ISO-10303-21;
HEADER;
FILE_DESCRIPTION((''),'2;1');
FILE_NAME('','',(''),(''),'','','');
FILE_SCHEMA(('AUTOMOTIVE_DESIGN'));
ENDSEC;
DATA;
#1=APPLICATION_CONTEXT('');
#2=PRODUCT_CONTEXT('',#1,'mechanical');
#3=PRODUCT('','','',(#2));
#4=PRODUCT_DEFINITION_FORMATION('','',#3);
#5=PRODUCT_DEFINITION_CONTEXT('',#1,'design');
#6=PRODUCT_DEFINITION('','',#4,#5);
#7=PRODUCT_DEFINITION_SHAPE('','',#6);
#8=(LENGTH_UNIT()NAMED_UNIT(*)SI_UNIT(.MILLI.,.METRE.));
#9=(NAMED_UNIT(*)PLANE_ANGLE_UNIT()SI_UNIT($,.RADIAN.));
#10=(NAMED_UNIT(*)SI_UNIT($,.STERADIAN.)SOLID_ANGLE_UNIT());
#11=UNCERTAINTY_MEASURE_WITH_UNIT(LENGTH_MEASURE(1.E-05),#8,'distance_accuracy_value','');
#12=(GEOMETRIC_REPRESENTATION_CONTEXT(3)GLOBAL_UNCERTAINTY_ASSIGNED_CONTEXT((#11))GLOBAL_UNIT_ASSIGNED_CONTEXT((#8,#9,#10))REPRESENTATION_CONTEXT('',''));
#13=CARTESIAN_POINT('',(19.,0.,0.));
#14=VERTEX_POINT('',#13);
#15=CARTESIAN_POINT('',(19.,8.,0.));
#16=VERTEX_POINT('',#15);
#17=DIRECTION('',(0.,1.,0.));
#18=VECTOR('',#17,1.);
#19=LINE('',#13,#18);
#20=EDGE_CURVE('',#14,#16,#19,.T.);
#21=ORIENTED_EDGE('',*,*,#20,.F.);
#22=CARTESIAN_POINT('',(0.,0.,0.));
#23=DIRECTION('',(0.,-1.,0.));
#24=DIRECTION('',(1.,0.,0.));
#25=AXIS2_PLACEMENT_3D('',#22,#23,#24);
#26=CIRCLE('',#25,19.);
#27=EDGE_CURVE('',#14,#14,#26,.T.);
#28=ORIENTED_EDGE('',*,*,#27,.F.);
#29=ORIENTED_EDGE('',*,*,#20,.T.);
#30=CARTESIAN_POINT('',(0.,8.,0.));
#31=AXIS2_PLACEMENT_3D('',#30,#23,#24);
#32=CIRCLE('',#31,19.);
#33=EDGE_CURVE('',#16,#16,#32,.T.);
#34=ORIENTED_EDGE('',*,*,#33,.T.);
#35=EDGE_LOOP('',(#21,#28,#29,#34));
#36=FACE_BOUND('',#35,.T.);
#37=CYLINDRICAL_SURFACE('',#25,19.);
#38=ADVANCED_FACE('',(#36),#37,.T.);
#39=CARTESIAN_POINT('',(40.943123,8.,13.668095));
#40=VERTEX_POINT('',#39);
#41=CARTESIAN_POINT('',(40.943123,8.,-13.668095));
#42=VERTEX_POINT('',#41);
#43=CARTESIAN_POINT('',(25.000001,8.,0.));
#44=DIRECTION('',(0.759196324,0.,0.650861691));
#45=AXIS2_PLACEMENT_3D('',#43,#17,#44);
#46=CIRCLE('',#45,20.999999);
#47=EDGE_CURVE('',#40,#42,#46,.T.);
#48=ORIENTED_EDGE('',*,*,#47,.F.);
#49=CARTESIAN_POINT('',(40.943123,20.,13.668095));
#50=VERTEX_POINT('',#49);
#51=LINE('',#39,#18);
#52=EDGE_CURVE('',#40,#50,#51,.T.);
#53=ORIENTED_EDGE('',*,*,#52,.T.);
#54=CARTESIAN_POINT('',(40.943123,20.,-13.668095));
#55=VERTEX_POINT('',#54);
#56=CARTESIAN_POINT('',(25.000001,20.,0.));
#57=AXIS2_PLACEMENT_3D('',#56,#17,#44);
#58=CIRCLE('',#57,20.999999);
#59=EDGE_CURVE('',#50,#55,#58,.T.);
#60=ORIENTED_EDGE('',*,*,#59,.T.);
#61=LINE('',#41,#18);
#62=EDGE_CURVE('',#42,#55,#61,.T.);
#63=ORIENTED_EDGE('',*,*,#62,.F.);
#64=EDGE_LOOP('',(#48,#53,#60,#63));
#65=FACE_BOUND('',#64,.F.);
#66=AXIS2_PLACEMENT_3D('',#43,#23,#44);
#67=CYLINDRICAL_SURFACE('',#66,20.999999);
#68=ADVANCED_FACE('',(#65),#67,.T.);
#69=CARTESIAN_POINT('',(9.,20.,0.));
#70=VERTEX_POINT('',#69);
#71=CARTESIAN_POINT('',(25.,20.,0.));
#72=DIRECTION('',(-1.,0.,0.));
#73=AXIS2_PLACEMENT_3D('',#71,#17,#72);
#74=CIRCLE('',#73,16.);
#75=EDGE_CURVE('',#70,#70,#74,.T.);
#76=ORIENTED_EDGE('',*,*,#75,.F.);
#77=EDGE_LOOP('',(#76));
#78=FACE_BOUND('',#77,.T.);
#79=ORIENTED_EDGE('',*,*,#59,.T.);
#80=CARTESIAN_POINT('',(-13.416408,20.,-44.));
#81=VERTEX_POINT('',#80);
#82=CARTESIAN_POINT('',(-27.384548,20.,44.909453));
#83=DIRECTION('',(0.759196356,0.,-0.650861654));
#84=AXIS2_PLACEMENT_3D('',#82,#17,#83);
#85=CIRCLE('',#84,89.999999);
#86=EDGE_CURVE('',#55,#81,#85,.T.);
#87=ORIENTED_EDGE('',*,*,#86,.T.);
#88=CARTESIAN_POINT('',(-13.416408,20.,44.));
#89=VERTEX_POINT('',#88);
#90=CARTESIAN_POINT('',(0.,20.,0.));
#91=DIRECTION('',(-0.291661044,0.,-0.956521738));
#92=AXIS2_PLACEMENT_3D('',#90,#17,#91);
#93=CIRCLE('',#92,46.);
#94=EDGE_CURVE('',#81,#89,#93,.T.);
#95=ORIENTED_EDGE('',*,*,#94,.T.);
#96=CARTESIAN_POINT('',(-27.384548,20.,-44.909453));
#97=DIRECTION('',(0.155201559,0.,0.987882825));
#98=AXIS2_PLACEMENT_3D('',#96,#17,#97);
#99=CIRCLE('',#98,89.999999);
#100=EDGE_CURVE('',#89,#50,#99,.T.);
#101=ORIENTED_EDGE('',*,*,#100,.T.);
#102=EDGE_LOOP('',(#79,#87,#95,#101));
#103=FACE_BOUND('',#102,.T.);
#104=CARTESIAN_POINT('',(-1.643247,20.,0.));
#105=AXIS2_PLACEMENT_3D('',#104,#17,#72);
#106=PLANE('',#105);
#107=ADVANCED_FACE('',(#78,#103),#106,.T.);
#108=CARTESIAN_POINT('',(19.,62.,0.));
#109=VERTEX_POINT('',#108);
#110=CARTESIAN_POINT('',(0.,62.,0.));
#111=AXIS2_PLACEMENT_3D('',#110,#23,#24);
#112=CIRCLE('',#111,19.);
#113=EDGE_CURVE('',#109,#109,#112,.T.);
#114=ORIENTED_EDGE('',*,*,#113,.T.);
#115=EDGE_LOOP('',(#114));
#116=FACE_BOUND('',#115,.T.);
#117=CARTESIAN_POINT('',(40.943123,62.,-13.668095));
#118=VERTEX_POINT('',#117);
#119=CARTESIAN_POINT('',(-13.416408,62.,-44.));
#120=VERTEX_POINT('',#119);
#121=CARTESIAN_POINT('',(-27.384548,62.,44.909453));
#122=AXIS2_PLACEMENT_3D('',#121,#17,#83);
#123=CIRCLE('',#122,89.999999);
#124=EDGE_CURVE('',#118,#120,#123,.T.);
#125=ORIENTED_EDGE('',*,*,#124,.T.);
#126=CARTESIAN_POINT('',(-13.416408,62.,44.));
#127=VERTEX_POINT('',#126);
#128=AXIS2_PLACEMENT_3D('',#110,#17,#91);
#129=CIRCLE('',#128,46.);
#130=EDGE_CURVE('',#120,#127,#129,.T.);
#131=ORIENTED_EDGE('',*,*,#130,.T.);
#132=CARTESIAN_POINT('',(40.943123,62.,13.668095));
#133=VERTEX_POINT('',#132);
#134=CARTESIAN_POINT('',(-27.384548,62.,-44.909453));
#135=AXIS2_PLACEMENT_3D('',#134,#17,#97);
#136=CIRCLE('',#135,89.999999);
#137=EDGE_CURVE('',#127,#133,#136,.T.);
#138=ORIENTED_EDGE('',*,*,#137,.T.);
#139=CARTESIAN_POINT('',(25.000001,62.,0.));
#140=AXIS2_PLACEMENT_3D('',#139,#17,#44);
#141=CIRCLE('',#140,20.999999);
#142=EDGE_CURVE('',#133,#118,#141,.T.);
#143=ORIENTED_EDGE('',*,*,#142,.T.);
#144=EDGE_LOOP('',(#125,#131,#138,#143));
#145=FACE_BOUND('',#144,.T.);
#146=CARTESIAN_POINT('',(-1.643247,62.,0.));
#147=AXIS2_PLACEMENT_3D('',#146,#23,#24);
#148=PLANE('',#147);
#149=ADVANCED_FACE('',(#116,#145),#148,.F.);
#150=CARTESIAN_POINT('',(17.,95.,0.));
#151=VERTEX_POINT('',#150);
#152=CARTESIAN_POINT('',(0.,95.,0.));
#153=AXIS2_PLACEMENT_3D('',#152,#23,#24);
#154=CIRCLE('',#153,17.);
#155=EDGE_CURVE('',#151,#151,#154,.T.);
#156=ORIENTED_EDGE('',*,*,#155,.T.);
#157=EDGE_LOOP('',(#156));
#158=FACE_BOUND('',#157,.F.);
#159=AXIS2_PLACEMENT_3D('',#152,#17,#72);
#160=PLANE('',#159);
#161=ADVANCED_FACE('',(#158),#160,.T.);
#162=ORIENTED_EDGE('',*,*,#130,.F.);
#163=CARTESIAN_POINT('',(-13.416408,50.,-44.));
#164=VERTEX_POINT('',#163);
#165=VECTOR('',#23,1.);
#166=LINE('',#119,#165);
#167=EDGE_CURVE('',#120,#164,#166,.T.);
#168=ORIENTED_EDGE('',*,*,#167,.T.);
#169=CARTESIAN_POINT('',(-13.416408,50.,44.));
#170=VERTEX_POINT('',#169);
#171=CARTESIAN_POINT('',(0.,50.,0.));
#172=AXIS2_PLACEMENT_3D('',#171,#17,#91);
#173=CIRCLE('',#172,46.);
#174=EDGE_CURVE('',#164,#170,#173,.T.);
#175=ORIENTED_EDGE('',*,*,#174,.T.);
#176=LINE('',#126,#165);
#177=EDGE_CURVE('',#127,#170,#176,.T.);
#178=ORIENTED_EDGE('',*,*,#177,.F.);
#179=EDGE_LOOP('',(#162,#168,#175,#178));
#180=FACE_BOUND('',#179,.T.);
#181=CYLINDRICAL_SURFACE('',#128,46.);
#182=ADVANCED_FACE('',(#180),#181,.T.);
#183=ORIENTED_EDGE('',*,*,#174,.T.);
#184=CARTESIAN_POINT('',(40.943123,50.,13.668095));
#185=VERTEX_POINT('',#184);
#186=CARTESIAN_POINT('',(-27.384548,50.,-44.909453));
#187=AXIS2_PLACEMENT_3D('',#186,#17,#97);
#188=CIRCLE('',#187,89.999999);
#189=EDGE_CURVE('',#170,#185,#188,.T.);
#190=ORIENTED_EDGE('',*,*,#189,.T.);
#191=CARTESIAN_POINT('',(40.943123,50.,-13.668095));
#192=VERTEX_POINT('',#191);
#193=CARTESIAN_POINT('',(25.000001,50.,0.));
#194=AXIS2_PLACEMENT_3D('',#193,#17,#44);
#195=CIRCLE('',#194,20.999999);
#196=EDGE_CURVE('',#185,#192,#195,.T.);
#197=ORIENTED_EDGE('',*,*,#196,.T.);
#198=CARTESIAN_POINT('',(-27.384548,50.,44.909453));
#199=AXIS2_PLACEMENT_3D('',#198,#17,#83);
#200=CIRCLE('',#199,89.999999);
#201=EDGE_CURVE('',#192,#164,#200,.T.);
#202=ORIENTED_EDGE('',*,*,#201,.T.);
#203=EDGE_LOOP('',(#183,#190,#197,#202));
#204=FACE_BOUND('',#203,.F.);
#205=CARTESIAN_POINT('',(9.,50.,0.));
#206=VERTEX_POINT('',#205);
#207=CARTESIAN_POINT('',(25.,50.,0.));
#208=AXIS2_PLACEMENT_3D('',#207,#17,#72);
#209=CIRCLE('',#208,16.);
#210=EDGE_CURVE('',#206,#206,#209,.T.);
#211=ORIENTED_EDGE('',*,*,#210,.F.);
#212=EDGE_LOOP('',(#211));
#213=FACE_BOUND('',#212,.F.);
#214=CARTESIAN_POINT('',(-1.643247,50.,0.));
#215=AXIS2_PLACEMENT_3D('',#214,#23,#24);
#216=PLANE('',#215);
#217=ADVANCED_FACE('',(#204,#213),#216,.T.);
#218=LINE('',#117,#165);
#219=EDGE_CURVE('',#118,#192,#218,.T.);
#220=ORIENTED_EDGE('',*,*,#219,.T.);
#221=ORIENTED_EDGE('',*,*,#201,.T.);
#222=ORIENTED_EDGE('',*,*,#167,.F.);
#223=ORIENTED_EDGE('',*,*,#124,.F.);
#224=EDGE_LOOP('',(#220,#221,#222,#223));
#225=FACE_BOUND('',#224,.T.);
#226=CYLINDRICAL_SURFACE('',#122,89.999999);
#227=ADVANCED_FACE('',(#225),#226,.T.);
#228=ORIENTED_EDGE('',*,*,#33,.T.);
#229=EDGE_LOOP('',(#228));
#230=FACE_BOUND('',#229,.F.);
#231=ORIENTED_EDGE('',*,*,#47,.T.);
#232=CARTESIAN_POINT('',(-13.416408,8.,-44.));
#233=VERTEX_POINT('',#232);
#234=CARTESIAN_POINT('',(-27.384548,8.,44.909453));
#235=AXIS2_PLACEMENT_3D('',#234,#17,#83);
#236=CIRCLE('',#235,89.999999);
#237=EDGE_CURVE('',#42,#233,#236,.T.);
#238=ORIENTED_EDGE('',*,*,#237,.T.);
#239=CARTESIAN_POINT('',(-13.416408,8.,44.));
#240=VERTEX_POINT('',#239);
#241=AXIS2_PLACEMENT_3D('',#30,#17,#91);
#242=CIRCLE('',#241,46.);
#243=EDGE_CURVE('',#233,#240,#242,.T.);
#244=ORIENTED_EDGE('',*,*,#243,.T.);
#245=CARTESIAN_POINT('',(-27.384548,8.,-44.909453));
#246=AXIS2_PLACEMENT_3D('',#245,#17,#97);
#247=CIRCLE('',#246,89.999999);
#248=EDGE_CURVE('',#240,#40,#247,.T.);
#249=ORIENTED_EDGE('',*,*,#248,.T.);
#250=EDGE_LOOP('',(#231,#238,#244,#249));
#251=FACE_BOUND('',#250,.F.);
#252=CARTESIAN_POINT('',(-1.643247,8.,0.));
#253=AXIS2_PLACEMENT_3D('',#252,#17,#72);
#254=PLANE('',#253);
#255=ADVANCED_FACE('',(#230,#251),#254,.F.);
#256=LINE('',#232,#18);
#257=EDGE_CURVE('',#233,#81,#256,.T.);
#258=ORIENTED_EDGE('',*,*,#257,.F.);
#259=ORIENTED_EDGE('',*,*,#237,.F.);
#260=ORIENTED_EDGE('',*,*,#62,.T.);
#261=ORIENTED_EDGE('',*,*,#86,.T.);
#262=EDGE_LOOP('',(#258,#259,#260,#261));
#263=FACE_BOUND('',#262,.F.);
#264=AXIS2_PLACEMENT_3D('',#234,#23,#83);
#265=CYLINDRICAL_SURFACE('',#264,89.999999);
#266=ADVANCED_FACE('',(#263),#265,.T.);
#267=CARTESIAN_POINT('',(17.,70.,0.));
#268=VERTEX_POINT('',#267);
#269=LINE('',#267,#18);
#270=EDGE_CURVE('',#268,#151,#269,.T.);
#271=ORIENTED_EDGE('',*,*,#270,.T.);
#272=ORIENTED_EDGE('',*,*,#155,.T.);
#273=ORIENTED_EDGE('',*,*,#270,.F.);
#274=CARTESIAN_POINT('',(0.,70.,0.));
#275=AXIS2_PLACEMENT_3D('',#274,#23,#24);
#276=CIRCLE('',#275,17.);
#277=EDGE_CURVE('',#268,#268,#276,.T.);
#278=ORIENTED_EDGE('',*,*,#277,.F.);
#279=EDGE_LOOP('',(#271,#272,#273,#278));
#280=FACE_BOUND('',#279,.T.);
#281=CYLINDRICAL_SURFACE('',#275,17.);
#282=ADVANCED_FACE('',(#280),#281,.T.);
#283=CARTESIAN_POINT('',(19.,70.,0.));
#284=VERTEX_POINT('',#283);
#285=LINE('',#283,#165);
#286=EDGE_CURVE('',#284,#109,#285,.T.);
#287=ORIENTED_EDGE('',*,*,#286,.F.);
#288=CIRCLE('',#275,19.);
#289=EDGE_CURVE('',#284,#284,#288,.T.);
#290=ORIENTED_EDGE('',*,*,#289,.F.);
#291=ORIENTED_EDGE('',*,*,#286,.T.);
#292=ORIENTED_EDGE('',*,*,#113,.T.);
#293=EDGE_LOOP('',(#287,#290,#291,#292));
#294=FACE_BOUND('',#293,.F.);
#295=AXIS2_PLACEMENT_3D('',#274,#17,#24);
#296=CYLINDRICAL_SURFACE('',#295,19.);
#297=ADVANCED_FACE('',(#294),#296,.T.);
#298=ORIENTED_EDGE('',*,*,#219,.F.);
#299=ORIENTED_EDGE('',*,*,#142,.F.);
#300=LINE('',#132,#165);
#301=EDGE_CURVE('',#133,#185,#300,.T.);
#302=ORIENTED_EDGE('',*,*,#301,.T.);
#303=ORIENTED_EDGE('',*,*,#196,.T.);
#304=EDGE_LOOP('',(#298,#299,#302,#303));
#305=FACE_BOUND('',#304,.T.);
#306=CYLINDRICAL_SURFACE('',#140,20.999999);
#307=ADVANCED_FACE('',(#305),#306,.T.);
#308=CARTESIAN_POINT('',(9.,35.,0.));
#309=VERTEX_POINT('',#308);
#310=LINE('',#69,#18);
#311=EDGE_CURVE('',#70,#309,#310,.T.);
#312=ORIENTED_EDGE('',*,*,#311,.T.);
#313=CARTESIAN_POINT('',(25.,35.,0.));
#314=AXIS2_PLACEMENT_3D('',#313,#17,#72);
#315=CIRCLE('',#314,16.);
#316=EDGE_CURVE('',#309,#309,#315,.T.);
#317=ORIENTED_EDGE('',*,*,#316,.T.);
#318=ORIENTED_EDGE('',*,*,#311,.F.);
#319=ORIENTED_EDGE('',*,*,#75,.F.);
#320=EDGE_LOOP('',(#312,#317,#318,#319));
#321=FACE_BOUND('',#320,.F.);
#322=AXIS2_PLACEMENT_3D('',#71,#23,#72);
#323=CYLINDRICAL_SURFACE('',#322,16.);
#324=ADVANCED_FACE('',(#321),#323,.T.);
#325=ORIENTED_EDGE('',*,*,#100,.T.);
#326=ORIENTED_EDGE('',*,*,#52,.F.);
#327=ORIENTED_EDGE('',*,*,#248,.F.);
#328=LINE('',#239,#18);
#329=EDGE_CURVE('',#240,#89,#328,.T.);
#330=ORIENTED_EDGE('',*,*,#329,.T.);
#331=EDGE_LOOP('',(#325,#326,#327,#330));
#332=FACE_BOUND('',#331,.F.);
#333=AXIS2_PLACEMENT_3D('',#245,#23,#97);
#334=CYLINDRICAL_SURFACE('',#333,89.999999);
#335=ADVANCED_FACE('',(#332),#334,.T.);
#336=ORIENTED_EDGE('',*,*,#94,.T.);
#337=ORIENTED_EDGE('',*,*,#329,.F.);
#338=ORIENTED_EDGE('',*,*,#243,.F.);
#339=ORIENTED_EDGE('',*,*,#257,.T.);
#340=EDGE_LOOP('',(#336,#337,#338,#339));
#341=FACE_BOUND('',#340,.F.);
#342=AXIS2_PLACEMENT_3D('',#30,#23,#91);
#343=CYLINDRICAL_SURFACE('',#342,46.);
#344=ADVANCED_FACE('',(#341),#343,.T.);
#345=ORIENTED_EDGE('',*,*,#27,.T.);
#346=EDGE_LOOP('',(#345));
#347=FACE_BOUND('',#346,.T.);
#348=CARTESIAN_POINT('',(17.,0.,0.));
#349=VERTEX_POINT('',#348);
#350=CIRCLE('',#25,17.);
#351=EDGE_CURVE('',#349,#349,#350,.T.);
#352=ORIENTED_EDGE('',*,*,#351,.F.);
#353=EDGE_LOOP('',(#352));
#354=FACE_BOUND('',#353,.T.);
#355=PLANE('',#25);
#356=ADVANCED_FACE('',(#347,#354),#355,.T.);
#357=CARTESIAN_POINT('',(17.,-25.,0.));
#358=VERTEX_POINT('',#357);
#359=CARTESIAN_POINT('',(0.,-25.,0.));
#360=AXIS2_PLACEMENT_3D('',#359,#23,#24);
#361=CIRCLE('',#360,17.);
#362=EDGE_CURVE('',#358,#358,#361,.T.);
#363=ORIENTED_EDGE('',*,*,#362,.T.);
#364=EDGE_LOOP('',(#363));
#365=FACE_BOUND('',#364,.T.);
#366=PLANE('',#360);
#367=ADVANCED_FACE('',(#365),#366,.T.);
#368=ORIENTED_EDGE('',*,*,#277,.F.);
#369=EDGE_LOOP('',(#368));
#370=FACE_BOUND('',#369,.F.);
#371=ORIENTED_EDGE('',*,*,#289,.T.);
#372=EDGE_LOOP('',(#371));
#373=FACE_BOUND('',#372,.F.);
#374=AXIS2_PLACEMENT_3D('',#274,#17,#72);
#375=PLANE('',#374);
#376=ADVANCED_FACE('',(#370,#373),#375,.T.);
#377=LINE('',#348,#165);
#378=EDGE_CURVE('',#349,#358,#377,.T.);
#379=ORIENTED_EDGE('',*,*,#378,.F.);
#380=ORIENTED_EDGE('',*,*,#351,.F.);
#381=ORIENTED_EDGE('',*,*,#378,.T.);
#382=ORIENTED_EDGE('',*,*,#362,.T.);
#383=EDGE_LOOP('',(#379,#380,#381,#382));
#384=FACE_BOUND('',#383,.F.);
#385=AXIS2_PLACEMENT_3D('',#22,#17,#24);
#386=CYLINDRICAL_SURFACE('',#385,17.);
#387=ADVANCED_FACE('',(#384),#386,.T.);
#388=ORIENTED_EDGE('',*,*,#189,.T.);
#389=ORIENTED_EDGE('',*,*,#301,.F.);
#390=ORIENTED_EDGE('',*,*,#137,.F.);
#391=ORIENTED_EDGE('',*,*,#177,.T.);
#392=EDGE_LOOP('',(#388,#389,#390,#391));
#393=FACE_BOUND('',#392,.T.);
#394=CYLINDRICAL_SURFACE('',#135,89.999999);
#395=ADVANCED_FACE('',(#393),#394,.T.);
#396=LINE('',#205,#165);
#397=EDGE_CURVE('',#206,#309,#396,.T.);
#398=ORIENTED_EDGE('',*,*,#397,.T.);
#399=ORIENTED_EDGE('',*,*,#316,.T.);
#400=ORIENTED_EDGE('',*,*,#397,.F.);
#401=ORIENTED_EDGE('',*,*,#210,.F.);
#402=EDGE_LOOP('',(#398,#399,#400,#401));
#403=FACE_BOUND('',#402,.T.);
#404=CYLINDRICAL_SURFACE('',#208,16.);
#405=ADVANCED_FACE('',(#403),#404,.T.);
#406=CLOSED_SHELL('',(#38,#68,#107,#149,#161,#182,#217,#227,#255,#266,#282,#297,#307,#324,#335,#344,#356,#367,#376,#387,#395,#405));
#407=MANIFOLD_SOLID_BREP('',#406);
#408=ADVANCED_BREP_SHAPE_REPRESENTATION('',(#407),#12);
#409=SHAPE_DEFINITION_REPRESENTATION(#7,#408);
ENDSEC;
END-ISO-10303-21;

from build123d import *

# Parameters (mm, degrees)
F0_R     = 17
F1_DEPTH = 25
F2_R     = 19
F3_DEPTH = 8
F5_DEPTH = 12
F6_R     = 16
F7_DEPTH = 15


with BuildPart() as f1:
    # F0 (on Front) → F1 (new body)
    with BuildSketch(Plane.XZ):
        Circle(F0_R)
    extrude(amount=F1_DEPTH)

    # F2 (on Front) → F3 (join)
    with BuildSketch(Plane.XZ):
        Circle(F2_R)
    extrude(amount=-F3_DEPTH)

    # F4 (on face) → F5 (join)
    with BuildSketch(Plane(origin=(0, 8, 0), x_dir=(-1, 0, 0), z_dir=(0, 1, 0))):
        with BuildLine():
            ThreePointArc((-40.943123, -13.668095), (-16.469258, -33.683444), (13.416408, -44))
            ThreePointArc((13.416408, -44), (46, 0), (13.416408, 44))
            ThreePointArc((13.416408, 44), (-16.469258, 33.683444), (-40.943123, 13.668095))
            ThreePointArc((-40.943123, 13.668095), (-46, 0), (-40.943123, -13.668095))
        make_face()
    extrude(amount=F5_DEPTH)

    # F6 (on face) → F7 (join)
    with BuildSketch(Plane(origin=(0, 20, 0), x_dir=(-1, 0, 0), z_dir=(0, 1, 0))):
        with Locations((-25, 0)):
            Circle(F6_R)
    extrude(amount=F7_DEPTH)

    # F8: F1 across face


with BuildPart() as f1_1:
    add(f1.part)
    add(f1.part.mirror(Plane(origin=(25, 35, 0), x_dir=(-1, 0, 0), z_dir=(0, 1, 0))))


solid = f1_1.part
